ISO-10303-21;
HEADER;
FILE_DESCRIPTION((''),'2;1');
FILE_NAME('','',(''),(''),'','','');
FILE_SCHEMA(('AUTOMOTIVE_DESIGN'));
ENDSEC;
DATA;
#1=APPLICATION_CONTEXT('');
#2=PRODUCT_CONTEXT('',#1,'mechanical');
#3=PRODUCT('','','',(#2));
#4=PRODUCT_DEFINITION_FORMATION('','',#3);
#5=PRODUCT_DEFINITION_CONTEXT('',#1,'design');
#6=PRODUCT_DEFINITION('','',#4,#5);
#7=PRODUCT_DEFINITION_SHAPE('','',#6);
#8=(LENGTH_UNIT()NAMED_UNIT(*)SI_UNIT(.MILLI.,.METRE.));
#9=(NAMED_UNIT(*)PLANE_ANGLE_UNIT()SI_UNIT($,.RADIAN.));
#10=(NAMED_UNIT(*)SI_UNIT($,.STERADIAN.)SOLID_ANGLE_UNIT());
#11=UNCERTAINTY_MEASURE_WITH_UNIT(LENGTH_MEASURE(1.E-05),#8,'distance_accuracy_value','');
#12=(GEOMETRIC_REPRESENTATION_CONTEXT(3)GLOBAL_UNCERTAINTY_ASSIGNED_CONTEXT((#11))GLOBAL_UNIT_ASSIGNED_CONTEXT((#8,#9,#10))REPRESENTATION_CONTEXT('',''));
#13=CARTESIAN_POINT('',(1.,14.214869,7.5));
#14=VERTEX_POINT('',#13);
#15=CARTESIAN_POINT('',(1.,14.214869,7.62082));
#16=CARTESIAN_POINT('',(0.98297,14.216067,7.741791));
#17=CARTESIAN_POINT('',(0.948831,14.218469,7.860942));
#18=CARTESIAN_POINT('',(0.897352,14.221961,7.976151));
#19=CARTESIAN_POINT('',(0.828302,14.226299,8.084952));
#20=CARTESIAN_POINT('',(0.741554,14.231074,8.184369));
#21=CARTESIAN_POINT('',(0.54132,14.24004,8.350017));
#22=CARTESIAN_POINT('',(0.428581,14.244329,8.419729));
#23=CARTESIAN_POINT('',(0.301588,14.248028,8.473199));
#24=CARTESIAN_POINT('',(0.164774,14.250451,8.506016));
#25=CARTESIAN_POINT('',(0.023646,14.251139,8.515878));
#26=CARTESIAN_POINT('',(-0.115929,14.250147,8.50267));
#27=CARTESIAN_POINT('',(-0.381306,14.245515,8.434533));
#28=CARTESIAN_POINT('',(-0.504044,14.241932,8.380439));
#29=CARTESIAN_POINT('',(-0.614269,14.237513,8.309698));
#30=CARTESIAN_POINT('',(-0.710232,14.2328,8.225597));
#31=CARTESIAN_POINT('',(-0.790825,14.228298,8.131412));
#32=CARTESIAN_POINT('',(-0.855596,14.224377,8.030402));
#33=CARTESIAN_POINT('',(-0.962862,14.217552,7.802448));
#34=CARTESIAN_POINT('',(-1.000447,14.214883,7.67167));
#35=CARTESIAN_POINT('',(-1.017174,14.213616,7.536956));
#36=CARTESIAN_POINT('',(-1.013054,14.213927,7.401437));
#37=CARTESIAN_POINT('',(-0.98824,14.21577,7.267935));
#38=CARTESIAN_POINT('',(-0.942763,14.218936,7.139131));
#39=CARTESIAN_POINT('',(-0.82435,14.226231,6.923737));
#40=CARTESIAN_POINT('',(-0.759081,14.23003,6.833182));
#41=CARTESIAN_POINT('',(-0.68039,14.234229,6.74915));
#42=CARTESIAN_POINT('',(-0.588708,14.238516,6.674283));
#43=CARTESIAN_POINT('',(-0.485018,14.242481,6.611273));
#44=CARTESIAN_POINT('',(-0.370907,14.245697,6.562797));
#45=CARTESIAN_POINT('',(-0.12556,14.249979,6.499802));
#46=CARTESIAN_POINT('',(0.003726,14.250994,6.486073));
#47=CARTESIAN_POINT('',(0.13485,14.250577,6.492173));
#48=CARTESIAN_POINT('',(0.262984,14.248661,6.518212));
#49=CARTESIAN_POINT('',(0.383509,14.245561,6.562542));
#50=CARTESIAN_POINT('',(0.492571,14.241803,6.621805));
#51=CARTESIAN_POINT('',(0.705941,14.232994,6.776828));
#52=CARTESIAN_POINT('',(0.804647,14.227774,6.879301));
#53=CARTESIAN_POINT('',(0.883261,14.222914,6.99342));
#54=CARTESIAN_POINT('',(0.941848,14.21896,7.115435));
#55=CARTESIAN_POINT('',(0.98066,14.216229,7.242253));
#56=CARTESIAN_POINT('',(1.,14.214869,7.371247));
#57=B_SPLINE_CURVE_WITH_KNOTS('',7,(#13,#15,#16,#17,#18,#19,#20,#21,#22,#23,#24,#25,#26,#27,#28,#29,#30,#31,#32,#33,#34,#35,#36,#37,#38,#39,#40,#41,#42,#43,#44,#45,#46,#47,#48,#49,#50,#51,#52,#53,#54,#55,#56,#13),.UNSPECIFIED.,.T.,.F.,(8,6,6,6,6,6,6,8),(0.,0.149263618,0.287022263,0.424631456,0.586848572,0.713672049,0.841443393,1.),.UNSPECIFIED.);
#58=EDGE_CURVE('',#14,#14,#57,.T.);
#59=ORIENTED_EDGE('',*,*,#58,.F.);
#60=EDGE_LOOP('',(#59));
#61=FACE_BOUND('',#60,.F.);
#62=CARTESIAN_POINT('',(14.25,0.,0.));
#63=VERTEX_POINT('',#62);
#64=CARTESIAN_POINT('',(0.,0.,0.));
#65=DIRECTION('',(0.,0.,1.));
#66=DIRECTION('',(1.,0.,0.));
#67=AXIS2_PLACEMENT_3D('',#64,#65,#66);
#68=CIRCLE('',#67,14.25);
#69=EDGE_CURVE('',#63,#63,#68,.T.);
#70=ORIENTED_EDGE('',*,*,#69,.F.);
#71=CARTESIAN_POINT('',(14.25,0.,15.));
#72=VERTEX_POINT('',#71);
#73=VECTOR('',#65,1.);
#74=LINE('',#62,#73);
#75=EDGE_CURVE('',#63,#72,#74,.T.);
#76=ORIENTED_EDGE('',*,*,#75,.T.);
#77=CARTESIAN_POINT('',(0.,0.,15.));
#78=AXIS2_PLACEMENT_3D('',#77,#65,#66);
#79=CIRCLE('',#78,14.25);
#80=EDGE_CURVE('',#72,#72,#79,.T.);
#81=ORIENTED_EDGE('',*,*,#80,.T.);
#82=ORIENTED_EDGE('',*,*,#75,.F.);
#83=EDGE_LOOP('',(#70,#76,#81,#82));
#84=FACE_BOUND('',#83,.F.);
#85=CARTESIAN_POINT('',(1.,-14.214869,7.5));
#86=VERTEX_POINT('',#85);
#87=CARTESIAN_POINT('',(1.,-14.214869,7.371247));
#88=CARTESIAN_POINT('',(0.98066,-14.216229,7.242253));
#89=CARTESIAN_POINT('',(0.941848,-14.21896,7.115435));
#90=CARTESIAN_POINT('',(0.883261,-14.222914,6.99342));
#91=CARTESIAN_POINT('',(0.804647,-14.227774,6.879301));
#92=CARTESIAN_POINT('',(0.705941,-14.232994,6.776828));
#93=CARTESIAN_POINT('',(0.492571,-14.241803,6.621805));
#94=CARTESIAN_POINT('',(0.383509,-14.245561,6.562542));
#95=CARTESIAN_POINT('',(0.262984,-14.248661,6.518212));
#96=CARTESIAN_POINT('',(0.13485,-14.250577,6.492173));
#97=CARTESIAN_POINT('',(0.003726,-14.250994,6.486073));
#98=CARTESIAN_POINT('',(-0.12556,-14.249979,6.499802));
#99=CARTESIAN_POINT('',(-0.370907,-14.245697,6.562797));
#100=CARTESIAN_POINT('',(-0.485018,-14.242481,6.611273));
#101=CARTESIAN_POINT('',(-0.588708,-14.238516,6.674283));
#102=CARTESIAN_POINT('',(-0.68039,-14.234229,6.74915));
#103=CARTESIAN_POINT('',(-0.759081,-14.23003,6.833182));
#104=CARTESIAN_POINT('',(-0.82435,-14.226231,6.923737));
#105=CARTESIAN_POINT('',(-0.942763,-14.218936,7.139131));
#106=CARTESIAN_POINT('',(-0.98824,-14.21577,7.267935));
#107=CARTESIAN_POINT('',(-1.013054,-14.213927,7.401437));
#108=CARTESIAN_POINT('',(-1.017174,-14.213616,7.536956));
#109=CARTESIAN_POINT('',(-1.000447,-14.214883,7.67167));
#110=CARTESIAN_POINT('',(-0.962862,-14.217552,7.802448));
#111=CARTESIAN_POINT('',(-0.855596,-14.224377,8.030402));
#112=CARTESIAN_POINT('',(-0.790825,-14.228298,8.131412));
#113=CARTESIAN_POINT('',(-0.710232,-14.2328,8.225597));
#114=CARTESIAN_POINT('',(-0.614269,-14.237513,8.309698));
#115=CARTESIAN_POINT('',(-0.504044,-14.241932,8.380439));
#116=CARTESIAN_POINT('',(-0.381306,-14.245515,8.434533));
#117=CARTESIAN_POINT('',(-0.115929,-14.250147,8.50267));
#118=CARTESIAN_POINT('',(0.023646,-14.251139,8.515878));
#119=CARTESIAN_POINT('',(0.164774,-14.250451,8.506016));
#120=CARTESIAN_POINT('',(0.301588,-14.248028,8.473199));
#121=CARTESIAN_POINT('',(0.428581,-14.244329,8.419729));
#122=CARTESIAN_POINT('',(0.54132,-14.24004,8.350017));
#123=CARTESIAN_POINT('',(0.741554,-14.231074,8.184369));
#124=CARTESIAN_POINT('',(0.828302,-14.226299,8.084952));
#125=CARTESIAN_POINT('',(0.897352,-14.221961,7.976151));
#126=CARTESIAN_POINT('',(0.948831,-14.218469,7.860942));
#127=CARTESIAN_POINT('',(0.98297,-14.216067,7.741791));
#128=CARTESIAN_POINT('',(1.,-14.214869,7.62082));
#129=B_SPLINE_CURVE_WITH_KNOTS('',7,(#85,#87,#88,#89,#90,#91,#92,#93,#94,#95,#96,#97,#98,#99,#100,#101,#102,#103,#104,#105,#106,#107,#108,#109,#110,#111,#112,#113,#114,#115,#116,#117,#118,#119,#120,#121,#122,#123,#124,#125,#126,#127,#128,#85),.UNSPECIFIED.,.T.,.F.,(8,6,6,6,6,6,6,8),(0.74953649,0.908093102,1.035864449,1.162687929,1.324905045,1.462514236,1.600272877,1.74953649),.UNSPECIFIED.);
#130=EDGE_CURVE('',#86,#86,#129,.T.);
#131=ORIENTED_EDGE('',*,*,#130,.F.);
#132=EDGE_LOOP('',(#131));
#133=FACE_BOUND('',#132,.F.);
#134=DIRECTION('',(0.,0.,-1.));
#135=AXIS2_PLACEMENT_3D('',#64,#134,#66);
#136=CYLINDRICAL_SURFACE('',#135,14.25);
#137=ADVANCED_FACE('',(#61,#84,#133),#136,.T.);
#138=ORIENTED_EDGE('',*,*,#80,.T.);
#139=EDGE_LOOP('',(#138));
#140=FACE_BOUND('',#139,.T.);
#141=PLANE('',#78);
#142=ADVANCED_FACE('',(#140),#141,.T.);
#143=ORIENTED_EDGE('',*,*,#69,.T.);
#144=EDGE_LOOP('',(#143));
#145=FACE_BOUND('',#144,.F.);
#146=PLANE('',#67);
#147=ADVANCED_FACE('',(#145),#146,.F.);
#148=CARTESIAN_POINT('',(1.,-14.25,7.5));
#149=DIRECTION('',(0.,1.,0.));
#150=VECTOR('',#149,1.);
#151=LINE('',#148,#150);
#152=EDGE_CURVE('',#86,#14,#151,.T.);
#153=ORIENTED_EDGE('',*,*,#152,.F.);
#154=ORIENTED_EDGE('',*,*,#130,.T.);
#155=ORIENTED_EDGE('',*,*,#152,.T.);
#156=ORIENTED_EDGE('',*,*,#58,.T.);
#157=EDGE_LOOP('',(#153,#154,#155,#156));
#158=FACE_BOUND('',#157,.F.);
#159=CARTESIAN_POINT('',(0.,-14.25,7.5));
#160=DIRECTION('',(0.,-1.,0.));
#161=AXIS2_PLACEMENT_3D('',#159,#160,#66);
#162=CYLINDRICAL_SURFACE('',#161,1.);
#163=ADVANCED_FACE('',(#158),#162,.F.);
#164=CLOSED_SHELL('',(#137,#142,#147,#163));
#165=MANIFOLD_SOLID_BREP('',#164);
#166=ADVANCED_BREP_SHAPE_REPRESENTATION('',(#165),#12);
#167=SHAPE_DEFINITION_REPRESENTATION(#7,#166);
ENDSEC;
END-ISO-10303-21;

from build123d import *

# Parameters (mm, degrees)
F0_R     = 14.25
F1_DEPTH = 15
F3_R     = 1
F4_DEPTH = 28.5


with BuildPart() as f1:
    # F0 (on Top) → F1 (new body)
    with BuildSketch(Plane.XY):
        Circle(F0_R)
    extrude(amount=F1_DEPTH)

    # F3 (on offset) → F4 (cut)
    with BuildSketch(Plane.XZ.offset(14.25)):
        with Locations((0, 7.5)):
            Circle(F3_R)
    extrude(amount=-F4_DEPTH, mode=Mode.SUBTRACT)


solid = f1.part
